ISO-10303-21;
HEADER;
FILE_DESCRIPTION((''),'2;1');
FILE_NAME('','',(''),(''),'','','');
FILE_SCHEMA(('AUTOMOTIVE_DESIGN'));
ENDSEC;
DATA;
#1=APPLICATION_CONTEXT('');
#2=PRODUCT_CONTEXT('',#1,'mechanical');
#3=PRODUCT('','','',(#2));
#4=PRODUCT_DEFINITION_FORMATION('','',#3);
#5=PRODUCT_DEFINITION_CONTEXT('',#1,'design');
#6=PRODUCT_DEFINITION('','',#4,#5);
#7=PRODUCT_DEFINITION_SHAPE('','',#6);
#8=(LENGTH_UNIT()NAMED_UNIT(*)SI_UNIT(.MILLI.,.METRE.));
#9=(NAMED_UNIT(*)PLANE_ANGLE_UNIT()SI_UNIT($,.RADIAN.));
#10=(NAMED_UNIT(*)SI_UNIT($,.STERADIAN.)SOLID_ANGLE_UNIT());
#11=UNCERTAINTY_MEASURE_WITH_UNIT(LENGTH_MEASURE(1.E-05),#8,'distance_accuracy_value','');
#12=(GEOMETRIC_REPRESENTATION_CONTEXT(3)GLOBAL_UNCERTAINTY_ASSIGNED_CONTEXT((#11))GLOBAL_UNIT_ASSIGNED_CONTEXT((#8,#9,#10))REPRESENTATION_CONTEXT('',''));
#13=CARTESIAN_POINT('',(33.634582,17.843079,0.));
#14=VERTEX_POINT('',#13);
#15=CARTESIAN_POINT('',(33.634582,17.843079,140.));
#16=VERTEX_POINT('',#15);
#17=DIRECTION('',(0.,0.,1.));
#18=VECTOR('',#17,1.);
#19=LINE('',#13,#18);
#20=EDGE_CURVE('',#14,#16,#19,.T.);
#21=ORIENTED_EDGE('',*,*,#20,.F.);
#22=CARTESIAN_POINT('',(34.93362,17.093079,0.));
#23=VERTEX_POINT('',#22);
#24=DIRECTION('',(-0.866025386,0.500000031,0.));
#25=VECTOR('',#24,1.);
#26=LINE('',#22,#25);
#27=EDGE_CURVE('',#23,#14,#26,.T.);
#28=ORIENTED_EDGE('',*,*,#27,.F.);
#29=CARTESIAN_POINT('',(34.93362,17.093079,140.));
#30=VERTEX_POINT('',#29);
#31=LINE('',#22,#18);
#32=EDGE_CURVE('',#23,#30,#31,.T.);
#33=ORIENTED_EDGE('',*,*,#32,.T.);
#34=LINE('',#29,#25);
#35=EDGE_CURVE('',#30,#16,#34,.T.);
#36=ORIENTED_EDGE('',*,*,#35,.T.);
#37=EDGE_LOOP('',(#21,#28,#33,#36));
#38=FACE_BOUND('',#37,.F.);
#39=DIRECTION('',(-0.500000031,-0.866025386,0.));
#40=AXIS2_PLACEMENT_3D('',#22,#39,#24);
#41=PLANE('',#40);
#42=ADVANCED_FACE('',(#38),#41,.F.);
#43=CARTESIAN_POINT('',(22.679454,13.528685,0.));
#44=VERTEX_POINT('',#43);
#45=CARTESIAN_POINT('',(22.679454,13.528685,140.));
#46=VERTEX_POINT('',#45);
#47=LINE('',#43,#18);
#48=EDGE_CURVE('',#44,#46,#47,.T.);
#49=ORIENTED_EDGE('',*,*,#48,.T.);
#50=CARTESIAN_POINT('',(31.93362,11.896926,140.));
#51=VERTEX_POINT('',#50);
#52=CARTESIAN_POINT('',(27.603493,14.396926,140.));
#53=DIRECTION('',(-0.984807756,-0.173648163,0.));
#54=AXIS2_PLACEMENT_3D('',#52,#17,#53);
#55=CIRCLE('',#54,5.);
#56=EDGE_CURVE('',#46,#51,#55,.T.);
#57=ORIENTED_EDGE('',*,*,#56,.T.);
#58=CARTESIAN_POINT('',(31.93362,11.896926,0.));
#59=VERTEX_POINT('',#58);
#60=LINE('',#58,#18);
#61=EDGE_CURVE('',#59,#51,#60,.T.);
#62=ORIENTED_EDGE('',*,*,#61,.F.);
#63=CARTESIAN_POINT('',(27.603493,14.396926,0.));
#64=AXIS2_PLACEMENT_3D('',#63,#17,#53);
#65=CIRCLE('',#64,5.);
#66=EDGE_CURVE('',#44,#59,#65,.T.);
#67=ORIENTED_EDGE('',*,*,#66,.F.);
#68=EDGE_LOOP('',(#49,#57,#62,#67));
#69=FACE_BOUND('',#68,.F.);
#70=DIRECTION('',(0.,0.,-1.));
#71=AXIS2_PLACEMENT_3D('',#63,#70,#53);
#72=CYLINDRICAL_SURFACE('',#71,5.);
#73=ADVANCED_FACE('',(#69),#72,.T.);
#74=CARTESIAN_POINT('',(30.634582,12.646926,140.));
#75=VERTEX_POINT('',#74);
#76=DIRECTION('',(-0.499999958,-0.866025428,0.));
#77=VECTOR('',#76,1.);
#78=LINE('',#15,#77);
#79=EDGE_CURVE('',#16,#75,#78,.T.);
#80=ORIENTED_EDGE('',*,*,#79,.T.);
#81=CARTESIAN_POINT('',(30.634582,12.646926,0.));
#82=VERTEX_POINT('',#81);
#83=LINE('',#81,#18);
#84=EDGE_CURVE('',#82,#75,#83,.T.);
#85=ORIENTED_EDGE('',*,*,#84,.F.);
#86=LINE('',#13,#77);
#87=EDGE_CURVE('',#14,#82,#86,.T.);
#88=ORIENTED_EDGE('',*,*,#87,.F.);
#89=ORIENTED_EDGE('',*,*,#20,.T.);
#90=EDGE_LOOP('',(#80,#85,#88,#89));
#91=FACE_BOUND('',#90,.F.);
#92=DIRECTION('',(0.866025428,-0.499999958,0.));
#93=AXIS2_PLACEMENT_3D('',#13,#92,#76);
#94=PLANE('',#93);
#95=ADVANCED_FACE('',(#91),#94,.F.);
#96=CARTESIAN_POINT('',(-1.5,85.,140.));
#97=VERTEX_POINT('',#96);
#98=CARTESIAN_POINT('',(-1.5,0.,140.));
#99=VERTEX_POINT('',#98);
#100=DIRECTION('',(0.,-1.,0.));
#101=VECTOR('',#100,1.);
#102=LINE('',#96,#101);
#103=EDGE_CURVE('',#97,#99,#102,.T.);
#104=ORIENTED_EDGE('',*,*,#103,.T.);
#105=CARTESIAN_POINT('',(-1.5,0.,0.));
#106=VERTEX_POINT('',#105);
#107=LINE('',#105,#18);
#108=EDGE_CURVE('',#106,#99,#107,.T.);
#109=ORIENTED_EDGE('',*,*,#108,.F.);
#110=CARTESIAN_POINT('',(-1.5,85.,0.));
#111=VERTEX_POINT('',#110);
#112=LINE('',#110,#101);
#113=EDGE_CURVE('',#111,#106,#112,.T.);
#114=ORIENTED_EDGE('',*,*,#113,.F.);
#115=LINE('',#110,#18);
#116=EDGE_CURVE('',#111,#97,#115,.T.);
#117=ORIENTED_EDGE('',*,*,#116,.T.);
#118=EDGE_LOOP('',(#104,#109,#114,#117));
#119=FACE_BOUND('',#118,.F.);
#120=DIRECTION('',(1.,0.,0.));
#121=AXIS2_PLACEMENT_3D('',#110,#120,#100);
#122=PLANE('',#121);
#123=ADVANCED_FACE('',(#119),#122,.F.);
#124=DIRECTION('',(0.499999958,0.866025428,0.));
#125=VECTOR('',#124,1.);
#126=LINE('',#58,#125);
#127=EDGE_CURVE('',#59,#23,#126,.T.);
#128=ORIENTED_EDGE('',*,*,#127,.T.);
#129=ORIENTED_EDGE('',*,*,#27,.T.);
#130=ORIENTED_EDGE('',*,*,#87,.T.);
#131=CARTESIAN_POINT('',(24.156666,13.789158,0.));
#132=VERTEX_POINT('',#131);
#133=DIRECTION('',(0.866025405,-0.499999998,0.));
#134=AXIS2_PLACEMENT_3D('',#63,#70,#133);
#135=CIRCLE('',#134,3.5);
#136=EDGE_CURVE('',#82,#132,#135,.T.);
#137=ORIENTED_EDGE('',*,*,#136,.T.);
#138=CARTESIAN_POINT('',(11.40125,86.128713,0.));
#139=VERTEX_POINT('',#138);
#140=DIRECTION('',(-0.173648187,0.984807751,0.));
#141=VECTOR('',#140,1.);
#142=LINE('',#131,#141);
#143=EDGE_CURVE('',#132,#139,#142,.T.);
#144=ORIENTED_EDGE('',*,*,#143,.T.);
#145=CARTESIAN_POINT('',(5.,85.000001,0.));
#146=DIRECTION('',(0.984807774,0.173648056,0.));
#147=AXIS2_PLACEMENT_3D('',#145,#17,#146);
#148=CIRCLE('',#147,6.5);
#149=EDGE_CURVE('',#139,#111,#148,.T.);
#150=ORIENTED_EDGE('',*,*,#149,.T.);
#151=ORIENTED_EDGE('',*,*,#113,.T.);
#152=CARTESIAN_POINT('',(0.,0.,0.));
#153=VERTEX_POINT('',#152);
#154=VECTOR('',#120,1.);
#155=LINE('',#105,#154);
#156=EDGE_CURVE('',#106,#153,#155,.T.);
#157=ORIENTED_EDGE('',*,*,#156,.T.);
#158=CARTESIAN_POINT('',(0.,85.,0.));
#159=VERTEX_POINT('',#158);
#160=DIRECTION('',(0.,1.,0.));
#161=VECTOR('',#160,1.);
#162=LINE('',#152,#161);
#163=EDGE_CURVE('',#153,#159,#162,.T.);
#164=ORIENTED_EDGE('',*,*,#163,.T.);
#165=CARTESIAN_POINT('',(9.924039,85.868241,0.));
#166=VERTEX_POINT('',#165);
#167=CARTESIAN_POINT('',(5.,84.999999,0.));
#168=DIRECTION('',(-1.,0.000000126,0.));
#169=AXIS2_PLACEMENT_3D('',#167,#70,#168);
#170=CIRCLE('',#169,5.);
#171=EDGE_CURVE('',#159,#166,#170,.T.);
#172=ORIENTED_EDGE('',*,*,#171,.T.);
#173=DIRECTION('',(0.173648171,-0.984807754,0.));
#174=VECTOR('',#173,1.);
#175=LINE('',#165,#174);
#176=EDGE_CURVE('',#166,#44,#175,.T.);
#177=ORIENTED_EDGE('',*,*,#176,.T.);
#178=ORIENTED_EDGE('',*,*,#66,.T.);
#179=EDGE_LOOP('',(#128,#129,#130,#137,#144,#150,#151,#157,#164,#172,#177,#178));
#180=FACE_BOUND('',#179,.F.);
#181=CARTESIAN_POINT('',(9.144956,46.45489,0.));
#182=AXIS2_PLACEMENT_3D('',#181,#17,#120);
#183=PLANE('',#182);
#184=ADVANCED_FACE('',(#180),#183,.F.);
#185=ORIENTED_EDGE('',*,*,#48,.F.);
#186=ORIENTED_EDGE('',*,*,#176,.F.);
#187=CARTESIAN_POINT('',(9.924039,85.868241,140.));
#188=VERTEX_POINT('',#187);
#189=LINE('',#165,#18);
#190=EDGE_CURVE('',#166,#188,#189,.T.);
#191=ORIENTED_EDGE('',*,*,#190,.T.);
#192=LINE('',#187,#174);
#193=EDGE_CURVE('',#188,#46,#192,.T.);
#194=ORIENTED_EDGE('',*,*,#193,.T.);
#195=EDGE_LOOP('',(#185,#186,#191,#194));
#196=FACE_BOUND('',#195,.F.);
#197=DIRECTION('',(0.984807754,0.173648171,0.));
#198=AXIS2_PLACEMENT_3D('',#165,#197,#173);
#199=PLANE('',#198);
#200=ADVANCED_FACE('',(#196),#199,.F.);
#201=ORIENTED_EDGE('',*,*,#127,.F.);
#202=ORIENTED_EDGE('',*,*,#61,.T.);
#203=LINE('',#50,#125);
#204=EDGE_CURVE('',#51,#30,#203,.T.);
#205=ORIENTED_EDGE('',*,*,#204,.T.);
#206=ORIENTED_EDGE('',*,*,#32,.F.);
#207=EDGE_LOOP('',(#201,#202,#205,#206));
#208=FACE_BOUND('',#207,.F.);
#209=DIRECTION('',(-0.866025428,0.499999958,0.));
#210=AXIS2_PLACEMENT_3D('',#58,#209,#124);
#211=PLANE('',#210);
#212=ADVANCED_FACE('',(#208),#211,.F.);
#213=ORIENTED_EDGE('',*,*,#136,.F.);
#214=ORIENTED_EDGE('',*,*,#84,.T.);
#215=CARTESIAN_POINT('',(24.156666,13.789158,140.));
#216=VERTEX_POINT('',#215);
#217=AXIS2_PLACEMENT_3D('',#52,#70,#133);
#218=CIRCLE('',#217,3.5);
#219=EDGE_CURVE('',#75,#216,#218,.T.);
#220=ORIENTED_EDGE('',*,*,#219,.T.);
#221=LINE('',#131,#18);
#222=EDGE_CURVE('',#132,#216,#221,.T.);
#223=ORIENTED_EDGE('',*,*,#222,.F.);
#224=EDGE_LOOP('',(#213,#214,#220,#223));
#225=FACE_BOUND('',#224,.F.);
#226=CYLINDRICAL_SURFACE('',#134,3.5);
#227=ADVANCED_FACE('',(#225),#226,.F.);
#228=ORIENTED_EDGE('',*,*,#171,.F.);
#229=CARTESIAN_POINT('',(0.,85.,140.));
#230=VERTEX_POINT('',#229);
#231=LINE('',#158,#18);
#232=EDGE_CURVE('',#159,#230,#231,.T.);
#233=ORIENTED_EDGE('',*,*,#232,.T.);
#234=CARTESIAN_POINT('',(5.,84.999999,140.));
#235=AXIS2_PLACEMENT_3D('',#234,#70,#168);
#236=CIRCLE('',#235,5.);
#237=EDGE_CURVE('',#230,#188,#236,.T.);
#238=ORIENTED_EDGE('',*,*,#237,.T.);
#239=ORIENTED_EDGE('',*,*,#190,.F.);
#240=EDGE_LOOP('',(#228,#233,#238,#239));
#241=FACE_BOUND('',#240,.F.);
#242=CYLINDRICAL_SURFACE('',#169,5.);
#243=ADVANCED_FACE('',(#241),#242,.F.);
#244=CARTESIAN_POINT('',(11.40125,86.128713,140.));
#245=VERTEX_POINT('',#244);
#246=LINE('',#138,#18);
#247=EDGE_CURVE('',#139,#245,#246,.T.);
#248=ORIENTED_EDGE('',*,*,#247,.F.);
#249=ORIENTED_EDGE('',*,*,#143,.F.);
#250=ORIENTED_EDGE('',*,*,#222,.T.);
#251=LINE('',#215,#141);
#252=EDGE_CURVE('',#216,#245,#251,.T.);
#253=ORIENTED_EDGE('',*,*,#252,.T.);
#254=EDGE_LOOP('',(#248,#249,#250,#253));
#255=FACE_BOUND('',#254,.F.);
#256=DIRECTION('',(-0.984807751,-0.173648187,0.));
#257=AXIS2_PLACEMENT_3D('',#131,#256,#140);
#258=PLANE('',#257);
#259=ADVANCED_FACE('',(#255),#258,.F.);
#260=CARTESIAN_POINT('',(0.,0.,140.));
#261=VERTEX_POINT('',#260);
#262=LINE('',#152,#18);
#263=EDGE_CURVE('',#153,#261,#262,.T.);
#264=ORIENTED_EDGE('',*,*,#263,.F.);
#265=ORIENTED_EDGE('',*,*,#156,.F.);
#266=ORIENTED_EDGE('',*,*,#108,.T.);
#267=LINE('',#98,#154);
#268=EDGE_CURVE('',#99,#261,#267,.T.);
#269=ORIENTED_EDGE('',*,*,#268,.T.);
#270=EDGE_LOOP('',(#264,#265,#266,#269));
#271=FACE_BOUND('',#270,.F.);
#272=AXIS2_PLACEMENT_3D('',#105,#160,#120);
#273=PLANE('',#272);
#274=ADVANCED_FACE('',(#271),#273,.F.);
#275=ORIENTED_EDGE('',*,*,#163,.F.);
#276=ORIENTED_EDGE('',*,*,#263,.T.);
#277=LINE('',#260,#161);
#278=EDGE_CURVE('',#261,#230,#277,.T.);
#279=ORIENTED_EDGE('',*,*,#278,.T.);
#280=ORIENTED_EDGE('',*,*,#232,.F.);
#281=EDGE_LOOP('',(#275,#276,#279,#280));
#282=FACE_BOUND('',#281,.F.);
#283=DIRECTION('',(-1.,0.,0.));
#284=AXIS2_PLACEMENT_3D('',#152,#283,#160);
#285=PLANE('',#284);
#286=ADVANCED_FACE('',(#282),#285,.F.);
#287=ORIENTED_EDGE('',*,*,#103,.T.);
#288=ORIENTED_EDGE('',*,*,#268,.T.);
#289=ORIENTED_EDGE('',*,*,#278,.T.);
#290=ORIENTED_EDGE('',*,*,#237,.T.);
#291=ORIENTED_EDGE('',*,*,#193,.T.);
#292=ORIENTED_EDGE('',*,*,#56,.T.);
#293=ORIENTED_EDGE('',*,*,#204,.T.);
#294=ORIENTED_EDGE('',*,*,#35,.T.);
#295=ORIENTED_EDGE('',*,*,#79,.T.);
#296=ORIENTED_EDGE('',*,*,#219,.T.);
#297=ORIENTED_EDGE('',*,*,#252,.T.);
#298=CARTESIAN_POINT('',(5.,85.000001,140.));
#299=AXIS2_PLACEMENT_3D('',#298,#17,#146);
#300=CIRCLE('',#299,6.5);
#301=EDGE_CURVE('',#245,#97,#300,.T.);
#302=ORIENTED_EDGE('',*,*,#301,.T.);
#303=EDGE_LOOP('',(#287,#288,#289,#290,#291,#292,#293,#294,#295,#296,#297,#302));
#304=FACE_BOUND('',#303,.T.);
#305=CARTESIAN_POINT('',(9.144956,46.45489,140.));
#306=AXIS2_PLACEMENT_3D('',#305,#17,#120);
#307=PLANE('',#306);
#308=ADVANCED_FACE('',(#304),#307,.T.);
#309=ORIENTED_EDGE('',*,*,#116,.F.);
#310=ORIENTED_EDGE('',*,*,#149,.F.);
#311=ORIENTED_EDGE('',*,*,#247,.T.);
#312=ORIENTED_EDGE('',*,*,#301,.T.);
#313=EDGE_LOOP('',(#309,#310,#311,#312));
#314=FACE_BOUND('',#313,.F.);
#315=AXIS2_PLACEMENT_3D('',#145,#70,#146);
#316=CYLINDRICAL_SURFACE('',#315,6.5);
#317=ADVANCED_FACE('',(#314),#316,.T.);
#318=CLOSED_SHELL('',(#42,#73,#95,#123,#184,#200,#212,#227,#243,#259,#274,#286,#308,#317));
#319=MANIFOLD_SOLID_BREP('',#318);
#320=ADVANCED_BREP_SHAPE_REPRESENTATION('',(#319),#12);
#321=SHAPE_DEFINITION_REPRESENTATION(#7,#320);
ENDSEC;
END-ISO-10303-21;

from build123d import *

# Parameters (mm, degrees)
F1_DEPTH = 140


with BuildPart() as f1:
    # F0 (on Top) → F1 (new body)
    with BuildSketch(Plane.XY):
        with BuildLine():
            Line((-1.5, 0), (0, 0))
            Line((0, 0), (0, 85))
            ThreePointArc((0, 85), (4.564221, 89.980973), (9.924039, 85.868241))
            Line((9.924039, 85.868241), (22.679454, 13.528685))
            ThreePointArc((22.679454, 13.528685), (26.735252, 9.472887), (31.93362, 11.896926))
            Line((31.93362, 11.896926), (34.93362, 17.093079))
            Line((34.93362, 17.093079), (33.634582, 17.843079))
            Line((33.634582, 17.843079), (30.634582, 12.646926))
            ThreePointArc((30.634582, 12.646926), (26.995724, 10.950099), (24.156666, 13.789158))
            Line((24.156666, 13.789158), (11.40125, 86.128713))
            ThreePointArc((11.40125, 86.128713), (4.433488, 91.475266), (-1.5, 85))
            Line((-1.5, 85), (-1.5, 0))
        make_face()
    extrude(amount=F1_DEPTH)


solid = f1.part
